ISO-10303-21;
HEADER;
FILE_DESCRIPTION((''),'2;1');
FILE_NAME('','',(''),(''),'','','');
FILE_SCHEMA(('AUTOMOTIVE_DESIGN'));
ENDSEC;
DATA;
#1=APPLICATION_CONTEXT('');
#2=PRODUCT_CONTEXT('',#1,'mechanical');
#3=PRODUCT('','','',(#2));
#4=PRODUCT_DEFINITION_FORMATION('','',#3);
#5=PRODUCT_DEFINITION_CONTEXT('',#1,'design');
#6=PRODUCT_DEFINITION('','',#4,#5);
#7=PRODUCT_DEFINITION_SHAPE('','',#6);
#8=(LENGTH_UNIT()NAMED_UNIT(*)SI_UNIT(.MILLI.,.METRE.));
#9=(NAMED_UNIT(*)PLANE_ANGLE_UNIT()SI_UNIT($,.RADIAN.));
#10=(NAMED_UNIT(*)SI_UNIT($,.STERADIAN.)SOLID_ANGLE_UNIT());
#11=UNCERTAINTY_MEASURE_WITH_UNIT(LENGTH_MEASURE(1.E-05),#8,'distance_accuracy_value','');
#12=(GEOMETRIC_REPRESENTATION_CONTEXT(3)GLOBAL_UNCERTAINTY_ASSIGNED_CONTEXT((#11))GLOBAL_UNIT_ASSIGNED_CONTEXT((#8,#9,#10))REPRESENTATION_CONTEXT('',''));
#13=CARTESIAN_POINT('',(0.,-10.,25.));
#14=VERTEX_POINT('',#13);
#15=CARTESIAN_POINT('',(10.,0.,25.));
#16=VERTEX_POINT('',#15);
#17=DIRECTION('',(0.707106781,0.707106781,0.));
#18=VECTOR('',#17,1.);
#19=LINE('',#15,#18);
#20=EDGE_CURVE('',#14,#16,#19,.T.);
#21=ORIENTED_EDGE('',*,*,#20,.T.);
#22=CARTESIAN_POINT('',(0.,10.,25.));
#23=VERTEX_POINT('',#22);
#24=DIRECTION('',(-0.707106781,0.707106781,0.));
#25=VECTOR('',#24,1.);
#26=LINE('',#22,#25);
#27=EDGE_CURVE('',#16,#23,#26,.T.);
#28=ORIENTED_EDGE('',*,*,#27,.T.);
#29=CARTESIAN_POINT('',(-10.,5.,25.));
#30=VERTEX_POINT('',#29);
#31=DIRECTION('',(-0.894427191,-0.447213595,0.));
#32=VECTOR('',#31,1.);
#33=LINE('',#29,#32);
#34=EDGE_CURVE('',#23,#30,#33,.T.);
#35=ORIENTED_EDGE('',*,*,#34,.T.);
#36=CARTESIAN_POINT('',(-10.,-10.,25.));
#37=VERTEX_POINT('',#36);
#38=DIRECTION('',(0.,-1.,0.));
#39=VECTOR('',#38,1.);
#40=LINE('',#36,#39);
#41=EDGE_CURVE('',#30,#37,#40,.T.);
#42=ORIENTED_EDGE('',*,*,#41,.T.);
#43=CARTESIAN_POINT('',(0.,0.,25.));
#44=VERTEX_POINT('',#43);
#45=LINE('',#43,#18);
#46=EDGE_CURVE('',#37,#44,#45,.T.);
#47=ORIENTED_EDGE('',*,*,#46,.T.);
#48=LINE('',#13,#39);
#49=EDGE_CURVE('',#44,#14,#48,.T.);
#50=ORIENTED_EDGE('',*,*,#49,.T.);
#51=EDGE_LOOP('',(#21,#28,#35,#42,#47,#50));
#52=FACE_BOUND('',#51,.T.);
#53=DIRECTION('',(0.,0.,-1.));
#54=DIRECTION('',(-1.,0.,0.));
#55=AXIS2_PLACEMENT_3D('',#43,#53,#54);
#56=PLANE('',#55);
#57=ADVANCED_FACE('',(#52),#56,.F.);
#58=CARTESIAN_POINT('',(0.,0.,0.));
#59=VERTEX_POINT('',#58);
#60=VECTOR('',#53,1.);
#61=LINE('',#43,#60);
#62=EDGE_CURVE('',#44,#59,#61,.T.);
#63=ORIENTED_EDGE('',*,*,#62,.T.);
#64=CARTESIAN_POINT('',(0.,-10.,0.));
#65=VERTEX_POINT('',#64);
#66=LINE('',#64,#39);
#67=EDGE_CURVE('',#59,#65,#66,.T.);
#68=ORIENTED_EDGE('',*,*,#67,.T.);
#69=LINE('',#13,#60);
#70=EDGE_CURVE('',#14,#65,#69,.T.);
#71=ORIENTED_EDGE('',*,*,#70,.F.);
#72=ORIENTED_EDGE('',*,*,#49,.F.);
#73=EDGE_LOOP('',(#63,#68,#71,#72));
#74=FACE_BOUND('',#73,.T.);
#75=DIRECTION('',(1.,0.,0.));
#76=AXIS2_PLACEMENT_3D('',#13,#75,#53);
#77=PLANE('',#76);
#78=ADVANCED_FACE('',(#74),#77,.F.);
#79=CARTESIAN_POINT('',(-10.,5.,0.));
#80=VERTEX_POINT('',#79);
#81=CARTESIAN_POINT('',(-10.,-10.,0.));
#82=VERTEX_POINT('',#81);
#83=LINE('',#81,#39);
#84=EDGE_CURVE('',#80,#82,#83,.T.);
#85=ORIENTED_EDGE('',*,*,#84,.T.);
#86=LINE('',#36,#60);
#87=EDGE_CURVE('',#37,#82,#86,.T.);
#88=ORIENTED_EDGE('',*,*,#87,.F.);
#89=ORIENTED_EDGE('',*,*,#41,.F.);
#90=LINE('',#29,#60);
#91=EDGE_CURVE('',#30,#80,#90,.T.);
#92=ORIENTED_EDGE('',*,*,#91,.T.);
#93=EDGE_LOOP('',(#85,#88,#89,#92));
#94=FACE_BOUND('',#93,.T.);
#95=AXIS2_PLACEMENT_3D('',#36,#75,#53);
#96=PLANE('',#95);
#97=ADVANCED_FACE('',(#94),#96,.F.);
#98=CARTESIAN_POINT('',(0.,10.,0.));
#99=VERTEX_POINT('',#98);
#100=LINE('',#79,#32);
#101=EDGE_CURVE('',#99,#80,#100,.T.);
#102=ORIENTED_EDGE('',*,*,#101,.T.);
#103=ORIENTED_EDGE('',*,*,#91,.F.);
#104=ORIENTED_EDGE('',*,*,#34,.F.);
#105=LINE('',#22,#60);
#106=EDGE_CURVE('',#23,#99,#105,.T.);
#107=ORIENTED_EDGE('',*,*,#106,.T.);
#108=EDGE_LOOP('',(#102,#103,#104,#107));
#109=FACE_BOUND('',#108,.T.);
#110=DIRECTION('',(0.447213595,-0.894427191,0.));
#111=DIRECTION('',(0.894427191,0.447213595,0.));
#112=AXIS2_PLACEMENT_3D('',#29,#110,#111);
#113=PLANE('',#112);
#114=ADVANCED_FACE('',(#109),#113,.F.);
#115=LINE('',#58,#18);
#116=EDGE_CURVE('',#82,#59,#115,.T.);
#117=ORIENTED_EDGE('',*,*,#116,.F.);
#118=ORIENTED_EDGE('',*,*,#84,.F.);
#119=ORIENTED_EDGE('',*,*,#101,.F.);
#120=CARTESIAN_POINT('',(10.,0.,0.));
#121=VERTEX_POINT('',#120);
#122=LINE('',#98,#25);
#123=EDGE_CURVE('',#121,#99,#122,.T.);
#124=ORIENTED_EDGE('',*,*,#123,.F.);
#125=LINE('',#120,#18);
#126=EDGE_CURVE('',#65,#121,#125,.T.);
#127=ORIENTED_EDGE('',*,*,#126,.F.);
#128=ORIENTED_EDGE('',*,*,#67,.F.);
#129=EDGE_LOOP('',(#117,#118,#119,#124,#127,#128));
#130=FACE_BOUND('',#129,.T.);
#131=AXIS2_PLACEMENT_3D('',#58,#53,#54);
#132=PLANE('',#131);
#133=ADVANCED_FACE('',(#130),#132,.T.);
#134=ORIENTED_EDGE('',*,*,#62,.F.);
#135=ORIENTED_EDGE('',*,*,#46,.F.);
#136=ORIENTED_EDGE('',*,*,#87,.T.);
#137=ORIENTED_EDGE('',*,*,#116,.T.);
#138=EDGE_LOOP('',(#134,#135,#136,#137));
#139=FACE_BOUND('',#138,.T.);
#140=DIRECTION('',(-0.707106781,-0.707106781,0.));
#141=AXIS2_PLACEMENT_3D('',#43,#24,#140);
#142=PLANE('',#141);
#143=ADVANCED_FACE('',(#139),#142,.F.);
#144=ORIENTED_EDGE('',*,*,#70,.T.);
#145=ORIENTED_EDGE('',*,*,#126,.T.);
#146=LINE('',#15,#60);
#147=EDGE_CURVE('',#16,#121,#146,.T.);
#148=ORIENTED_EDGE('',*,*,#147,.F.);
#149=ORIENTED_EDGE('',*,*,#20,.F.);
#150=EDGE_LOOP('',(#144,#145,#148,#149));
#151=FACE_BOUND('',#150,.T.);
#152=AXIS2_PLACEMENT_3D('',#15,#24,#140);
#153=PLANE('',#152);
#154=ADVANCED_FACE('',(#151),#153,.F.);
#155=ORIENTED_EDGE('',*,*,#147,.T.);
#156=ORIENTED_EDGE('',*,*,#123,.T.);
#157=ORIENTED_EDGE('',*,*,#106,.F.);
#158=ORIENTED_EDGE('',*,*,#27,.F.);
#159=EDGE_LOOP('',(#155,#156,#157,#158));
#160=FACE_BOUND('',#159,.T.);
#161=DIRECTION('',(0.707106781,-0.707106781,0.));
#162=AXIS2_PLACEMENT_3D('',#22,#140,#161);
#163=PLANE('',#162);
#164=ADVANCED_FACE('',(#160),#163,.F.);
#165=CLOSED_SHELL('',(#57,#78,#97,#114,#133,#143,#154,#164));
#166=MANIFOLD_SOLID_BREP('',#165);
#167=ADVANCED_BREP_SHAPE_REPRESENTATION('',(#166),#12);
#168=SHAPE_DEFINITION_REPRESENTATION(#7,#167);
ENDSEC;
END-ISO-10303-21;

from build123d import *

# Parameters (mm, degrees)
BOSS_EXTRUDE1_DEPTH = 25


with BuildPart() as part:
    # Sketch1 → Boss-Extrude1 (new body)
    with BuildSketch(Plane.XY):
        Polygon((-10, 5), (0, 10), (10, 0), (0, -10), (0, 0), (-10, -10), align=None)
    extrude(amount=BOSS_EXTRUDE1_DEPTH)


solid = part.part
